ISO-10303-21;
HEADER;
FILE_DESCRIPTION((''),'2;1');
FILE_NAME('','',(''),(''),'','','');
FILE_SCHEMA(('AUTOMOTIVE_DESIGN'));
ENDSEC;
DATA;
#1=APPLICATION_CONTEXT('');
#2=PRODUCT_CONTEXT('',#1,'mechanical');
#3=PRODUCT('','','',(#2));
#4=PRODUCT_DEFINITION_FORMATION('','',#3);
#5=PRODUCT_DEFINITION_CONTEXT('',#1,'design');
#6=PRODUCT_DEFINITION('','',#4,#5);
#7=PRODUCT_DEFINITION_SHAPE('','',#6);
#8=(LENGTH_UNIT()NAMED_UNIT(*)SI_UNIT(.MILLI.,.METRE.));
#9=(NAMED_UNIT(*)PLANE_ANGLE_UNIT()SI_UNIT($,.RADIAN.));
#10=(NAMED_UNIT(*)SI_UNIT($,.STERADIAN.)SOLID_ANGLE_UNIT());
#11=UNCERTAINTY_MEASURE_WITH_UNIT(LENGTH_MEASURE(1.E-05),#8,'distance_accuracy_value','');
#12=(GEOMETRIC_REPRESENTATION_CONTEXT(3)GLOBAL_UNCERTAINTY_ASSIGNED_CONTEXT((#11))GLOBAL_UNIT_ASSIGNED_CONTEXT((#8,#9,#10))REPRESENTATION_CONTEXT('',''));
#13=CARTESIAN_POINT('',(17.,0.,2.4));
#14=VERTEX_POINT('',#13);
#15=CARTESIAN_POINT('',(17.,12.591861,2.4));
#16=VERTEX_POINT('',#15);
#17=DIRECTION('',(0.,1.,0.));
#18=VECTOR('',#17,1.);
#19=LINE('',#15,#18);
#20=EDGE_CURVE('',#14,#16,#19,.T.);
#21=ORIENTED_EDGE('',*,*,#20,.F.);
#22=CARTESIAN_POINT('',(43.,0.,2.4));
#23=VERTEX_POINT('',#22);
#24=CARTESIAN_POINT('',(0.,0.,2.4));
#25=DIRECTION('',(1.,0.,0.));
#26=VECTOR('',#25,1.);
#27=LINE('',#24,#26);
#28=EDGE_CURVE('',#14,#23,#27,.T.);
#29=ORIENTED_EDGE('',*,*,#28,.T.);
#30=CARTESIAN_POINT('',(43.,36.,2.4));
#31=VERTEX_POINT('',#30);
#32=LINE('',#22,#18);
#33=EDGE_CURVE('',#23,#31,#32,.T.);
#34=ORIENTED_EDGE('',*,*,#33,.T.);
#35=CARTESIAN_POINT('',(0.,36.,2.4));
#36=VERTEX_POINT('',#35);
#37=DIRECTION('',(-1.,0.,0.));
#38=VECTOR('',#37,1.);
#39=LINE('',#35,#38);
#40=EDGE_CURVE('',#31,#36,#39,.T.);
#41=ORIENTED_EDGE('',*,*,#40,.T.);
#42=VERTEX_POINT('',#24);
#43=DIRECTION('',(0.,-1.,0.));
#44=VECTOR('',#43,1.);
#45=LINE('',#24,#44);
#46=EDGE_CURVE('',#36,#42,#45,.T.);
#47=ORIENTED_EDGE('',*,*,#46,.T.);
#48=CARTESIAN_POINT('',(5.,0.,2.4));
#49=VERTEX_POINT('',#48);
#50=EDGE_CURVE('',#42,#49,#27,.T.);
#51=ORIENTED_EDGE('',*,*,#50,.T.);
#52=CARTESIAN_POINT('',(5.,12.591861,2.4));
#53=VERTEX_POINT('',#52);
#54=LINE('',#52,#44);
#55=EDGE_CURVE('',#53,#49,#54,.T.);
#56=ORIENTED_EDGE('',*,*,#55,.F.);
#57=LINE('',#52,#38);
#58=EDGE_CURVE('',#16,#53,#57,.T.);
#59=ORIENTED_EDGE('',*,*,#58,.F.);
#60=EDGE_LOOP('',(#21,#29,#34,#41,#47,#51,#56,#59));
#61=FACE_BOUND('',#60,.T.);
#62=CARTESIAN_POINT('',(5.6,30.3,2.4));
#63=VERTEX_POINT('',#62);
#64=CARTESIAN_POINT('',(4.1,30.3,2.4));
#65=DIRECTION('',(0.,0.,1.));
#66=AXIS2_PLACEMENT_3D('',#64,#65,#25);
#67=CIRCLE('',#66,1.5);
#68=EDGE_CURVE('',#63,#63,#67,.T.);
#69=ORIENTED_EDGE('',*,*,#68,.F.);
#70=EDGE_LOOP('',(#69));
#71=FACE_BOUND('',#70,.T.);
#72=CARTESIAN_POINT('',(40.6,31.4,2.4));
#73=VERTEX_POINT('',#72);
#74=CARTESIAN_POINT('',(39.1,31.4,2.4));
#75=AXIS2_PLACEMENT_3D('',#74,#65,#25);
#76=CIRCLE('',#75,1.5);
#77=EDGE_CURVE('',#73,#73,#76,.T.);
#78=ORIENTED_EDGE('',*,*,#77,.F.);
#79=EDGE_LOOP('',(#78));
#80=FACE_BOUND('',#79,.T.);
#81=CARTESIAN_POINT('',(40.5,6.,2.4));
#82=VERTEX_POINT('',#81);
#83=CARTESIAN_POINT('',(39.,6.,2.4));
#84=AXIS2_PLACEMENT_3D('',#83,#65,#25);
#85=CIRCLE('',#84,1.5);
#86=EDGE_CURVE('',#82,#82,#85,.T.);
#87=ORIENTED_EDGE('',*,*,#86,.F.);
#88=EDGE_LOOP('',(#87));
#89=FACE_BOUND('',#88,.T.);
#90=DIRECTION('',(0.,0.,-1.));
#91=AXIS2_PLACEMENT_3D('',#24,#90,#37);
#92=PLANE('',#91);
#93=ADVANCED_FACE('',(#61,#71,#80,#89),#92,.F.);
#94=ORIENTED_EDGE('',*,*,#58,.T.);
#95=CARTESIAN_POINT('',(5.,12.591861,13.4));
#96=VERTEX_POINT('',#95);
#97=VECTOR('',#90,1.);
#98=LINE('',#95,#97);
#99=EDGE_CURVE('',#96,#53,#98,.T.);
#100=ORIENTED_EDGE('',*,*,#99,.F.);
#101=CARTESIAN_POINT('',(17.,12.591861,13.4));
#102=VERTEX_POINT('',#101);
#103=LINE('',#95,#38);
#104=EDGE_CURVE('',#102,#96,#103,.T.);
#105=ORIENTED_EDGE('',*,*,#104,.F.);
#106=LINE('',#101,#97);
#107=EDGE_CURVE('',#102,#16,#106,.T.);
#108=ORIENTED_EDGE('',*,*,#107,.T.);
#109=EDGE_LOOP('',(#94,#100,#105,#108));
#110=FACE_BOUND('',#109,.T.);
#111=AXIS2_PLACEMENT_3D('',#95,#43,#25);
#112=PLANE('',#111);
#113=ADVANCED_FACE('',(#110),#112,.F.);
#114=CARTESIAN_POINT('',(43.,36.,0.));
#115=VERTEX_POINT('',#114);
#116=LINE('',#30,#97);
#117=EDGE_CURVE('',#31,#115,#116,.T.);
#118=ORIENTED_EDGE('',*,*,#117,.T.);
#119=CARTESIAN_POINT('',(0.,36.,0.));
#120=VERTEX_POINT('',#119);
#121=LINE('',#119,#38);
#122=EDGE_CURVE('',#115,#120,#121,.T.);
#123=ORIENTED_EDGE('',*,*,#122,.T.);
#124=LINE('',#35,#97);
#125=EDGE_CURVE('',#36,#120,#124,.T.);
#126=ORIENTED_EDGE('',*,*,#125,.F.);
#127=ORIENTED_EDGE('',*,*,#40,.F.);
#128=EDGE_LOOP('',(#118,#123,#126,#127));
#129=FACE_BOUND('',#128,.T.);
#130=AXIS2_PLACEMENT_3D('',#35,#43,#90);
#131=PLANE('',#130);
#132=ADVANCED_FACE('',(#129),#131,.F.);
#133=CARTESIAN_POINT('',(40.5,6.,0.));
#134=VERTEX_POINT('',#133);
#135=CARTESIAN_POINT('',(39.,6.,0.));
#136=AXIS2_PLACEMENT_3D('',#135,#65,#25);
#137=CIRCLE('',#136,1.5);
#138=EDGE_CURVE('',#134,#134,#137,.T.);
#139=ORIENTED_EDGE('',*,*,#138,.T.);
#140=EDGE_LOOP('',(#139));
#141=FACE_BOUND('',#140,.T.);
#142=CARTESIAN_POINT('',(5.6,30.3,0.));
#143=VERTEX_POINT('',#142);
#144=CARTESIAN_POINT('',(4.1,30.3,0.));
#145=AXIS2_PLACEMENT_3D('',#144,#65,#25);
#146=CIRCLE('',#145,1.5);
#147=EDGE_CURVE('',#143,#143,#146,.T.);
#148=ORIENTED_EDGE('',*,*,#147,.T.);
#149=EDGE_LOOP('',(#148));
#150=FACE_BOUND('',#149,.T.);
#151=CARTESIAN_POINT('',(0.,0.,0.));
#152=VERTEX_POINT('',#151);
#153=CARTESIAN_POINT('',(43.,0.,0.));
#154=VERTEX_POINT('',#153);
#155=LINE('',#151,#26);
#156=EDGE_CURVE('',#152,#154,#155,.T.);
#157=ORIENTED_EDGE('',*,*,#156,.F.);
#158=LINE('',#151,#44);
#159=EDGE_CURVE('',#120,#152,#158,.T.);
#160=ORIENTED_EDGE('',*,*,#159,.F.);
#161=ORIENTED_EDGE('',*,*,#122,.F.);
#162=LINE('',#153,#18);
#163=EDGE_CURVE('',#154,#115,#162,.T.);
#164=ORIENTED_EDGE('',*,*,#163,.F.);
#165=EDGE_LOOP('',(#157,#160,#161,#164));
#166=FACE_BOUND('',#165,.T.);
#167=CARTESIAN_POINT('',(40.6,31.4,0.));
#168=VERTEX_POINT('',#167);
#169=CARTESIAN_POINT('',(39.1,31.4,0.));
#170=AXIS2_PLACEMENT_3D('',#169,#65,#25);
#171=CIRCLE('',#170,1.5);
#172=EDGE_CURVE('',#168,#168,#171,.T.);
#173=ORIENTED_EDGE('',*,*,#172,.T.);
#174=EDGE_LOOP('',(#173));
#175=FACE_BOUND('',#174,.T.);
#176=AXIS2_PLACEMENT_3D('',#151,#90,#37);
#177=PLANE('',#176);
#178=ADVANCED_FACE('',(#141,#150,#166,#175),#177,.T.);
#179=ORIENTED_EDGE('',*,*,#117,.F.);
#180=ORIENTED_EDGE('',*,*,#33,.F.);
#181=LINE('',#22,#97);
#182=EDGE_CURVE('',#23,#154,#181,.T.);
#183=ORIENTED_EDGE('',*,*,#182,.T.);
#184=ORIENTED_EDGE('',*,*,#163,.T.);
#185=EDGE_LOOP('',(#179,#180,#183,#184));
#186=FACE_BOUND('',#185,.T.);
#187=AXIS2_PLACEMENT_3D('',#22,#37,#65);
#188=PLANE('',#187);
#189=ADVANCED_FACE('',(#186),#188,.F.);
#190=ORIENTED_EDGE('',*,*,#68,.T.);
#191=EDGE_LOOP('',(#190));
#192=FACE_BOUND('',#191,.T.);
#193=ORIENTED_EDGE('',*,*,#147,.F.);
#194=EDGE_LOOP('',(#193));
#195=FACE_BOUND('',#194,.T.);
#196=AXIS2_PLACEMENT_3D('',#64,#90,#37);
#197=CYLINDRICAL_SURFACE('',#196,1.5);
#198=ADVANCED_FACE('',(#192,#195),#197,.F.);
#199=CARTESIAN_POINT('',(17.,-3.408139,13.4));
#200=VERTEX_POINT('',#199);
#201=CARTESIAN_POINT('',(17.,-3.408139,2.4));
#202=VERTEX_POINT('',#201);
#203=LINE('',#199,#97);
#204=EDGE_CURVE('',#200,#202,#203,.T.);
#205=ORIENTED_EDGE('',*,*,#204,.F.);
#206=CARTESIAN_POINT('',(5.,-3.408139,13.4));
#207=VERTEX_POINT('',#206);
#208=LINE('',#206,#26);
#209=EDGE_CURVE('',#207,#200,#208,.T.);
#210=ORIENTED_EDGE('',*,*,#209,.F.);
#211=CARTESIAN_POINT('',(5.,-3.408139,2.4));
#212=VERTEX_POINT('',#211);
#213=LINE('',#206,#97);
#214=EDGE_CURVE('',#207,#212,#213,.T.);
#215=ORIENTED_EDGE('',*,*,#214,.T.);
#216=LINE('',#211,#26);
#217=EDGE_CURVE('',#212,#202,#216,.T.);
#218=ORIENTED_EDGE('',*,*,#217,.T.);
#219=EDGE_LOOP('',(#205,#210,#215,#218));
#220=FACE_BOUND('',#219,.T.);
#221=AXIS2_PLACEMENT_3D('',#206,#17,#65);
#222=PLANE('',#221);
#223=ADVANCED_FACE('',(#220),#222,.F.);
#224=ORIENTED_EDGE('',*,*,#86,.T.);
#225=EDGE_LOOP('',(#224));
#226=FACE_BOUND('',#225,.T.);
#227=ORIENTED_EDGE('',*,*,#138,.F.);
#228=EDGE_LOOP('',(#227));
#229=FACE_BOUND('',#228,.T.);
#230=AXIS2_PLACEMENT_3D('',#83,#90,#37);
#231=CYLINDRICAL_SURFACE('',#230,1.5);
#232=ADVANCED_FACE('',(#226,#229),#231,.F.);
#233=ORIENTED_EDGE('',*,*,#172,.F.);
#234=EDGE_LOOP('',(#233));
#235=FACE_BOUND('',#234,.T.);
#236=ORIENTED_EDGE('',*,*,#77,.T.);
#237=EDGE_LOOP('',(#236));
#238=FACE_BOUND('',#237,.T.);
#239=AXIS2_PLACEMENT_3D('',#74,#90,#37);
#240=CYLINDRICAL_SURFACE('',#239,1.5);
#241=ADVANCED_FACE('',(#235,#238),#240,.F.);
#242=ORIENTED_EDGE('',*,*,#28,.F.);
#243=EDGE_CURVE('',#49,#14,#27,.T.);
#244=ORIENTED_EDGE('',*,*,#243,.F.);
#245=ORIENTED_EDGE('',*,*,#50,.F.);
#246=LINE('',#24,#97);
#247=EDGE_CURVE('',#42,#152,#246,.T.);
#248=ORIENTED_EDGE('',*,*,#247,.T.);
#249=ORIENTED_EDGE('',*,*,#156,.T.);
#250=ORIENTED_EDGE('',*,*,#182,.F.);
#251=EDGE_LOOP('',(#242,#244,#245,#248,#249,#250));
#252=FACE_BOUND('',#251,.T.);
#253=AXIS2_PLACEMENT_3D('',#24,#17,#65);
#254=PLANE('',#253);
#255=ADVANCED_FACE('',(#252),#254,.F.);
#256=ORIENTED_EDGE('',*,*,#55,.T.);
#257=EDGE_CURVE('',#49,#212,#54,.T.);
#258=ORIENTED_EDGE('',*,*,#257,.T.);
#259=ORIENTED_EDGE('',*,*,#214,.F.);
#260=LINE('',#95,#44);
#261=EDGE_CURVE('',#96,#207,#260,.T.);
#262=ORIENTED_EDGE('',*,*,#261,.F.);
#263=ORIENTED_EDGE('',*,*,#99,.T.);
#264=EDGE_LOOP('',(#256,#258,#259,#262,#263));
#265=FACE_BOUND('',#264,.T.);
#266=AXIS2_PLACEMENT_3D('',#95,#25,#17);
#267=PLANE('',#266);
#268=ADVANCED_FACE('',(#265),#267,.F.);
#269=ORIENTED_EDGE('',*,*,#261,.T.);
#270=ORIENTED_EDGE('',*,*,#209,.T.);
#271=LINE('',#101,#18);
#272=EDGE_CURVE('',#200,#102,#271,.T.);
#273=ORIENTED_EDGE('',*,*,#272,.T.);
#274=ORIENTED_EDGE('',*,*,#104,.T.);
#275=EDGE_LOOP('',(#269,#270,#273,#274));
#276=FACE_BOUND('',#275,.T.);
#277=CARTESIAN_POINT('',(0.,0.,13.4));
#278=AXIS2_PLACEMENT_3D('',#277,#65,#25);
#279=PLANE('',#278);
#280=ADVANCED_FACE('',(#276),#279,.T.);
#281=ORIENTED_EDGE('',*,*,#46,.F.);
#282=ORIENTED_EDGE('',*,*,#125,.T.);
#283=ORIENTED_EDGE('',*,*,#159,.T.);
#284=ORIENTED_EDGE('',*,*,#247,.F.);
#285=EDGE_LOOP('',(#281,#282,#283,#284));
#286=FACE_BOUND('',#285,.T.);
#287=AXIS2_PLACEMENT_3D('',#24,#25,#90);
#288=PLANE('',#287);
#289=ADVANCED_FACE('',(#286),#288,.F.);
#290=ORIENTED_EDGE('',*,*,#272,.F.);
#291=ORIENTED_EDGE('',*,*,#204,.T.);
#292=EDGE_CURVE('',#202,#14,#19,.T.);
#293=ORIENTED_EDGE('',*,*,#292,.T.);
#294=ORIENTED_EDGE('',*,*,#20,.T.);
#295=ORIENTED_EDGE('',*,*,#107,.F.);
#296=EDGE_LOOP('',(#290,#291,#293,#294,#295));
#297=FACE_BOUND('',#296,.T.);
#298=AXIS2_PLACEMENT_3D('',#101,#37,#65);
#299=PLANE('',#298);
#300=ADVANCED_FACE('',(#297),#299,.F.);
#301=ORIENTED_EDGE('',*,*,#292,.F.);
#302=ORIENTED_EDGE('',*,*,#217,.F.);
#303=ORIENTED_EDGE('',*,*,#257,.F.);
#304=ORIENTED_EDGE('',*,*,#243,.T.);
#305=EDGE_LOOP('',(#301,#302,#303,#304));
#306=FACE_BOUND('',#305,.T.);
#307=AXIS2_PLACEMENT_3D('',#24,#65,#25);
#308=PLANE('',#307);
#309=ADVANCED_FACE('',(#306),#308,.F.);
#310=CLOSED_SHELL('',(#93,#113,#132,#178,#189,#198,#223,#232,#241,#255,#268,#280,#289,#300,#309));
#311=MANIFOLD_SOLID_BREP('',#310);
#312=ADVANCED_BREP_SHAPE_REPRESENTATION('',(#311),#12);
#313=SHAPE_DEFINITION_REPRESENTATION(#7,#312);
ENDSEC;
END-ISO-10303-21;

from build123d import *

# Parameters (mm, degrees)
SKETCH1_W           = 43
SKETCH1_H           = 36
SKETCH1_R           = 1.5
BOSS_EXTRUDE1_DEPTH = 2.4
SKETCH2_W           = 12
SKETCH2_H           = 16
BOSS_EXTRUDE2_DEPTH = 11


with BuildPart() as part:
    # Sketch1 → Boss-Extrude1 (new body)
    with BuildSketch(Plane.XY):
        with Locations((21.5, 18)):
            Rectangle(SKETCH1_W, SKETCH1_H)
        with Locations((39, 6)):
            Circle(SKETCH1_R, mode=Mode.SUBTRACT)
        with Locations((4.1, 30.3)):
            Circle(SKETCH1_R, mode=Mode.SUBTRACT)
        with Locations((39.1, 31.4)):
            Circle(SKETCH1_R, mode=Mode.SUBTRACT)
    extrude(amount=BOSS_EXTRUDE1_DEPTH)

    # Sketch2 → Boss-Extrude2 (add)
    with BuildSketch(Plane.XY.offset(2.4)):
        with Locations((11, 4.591861043)):
            Rectangle(SKETCH2_W, SKETCH2_H)
    extrude(amount=BOSS_EXTRUDE2_DEPTH)


solid = part.part
